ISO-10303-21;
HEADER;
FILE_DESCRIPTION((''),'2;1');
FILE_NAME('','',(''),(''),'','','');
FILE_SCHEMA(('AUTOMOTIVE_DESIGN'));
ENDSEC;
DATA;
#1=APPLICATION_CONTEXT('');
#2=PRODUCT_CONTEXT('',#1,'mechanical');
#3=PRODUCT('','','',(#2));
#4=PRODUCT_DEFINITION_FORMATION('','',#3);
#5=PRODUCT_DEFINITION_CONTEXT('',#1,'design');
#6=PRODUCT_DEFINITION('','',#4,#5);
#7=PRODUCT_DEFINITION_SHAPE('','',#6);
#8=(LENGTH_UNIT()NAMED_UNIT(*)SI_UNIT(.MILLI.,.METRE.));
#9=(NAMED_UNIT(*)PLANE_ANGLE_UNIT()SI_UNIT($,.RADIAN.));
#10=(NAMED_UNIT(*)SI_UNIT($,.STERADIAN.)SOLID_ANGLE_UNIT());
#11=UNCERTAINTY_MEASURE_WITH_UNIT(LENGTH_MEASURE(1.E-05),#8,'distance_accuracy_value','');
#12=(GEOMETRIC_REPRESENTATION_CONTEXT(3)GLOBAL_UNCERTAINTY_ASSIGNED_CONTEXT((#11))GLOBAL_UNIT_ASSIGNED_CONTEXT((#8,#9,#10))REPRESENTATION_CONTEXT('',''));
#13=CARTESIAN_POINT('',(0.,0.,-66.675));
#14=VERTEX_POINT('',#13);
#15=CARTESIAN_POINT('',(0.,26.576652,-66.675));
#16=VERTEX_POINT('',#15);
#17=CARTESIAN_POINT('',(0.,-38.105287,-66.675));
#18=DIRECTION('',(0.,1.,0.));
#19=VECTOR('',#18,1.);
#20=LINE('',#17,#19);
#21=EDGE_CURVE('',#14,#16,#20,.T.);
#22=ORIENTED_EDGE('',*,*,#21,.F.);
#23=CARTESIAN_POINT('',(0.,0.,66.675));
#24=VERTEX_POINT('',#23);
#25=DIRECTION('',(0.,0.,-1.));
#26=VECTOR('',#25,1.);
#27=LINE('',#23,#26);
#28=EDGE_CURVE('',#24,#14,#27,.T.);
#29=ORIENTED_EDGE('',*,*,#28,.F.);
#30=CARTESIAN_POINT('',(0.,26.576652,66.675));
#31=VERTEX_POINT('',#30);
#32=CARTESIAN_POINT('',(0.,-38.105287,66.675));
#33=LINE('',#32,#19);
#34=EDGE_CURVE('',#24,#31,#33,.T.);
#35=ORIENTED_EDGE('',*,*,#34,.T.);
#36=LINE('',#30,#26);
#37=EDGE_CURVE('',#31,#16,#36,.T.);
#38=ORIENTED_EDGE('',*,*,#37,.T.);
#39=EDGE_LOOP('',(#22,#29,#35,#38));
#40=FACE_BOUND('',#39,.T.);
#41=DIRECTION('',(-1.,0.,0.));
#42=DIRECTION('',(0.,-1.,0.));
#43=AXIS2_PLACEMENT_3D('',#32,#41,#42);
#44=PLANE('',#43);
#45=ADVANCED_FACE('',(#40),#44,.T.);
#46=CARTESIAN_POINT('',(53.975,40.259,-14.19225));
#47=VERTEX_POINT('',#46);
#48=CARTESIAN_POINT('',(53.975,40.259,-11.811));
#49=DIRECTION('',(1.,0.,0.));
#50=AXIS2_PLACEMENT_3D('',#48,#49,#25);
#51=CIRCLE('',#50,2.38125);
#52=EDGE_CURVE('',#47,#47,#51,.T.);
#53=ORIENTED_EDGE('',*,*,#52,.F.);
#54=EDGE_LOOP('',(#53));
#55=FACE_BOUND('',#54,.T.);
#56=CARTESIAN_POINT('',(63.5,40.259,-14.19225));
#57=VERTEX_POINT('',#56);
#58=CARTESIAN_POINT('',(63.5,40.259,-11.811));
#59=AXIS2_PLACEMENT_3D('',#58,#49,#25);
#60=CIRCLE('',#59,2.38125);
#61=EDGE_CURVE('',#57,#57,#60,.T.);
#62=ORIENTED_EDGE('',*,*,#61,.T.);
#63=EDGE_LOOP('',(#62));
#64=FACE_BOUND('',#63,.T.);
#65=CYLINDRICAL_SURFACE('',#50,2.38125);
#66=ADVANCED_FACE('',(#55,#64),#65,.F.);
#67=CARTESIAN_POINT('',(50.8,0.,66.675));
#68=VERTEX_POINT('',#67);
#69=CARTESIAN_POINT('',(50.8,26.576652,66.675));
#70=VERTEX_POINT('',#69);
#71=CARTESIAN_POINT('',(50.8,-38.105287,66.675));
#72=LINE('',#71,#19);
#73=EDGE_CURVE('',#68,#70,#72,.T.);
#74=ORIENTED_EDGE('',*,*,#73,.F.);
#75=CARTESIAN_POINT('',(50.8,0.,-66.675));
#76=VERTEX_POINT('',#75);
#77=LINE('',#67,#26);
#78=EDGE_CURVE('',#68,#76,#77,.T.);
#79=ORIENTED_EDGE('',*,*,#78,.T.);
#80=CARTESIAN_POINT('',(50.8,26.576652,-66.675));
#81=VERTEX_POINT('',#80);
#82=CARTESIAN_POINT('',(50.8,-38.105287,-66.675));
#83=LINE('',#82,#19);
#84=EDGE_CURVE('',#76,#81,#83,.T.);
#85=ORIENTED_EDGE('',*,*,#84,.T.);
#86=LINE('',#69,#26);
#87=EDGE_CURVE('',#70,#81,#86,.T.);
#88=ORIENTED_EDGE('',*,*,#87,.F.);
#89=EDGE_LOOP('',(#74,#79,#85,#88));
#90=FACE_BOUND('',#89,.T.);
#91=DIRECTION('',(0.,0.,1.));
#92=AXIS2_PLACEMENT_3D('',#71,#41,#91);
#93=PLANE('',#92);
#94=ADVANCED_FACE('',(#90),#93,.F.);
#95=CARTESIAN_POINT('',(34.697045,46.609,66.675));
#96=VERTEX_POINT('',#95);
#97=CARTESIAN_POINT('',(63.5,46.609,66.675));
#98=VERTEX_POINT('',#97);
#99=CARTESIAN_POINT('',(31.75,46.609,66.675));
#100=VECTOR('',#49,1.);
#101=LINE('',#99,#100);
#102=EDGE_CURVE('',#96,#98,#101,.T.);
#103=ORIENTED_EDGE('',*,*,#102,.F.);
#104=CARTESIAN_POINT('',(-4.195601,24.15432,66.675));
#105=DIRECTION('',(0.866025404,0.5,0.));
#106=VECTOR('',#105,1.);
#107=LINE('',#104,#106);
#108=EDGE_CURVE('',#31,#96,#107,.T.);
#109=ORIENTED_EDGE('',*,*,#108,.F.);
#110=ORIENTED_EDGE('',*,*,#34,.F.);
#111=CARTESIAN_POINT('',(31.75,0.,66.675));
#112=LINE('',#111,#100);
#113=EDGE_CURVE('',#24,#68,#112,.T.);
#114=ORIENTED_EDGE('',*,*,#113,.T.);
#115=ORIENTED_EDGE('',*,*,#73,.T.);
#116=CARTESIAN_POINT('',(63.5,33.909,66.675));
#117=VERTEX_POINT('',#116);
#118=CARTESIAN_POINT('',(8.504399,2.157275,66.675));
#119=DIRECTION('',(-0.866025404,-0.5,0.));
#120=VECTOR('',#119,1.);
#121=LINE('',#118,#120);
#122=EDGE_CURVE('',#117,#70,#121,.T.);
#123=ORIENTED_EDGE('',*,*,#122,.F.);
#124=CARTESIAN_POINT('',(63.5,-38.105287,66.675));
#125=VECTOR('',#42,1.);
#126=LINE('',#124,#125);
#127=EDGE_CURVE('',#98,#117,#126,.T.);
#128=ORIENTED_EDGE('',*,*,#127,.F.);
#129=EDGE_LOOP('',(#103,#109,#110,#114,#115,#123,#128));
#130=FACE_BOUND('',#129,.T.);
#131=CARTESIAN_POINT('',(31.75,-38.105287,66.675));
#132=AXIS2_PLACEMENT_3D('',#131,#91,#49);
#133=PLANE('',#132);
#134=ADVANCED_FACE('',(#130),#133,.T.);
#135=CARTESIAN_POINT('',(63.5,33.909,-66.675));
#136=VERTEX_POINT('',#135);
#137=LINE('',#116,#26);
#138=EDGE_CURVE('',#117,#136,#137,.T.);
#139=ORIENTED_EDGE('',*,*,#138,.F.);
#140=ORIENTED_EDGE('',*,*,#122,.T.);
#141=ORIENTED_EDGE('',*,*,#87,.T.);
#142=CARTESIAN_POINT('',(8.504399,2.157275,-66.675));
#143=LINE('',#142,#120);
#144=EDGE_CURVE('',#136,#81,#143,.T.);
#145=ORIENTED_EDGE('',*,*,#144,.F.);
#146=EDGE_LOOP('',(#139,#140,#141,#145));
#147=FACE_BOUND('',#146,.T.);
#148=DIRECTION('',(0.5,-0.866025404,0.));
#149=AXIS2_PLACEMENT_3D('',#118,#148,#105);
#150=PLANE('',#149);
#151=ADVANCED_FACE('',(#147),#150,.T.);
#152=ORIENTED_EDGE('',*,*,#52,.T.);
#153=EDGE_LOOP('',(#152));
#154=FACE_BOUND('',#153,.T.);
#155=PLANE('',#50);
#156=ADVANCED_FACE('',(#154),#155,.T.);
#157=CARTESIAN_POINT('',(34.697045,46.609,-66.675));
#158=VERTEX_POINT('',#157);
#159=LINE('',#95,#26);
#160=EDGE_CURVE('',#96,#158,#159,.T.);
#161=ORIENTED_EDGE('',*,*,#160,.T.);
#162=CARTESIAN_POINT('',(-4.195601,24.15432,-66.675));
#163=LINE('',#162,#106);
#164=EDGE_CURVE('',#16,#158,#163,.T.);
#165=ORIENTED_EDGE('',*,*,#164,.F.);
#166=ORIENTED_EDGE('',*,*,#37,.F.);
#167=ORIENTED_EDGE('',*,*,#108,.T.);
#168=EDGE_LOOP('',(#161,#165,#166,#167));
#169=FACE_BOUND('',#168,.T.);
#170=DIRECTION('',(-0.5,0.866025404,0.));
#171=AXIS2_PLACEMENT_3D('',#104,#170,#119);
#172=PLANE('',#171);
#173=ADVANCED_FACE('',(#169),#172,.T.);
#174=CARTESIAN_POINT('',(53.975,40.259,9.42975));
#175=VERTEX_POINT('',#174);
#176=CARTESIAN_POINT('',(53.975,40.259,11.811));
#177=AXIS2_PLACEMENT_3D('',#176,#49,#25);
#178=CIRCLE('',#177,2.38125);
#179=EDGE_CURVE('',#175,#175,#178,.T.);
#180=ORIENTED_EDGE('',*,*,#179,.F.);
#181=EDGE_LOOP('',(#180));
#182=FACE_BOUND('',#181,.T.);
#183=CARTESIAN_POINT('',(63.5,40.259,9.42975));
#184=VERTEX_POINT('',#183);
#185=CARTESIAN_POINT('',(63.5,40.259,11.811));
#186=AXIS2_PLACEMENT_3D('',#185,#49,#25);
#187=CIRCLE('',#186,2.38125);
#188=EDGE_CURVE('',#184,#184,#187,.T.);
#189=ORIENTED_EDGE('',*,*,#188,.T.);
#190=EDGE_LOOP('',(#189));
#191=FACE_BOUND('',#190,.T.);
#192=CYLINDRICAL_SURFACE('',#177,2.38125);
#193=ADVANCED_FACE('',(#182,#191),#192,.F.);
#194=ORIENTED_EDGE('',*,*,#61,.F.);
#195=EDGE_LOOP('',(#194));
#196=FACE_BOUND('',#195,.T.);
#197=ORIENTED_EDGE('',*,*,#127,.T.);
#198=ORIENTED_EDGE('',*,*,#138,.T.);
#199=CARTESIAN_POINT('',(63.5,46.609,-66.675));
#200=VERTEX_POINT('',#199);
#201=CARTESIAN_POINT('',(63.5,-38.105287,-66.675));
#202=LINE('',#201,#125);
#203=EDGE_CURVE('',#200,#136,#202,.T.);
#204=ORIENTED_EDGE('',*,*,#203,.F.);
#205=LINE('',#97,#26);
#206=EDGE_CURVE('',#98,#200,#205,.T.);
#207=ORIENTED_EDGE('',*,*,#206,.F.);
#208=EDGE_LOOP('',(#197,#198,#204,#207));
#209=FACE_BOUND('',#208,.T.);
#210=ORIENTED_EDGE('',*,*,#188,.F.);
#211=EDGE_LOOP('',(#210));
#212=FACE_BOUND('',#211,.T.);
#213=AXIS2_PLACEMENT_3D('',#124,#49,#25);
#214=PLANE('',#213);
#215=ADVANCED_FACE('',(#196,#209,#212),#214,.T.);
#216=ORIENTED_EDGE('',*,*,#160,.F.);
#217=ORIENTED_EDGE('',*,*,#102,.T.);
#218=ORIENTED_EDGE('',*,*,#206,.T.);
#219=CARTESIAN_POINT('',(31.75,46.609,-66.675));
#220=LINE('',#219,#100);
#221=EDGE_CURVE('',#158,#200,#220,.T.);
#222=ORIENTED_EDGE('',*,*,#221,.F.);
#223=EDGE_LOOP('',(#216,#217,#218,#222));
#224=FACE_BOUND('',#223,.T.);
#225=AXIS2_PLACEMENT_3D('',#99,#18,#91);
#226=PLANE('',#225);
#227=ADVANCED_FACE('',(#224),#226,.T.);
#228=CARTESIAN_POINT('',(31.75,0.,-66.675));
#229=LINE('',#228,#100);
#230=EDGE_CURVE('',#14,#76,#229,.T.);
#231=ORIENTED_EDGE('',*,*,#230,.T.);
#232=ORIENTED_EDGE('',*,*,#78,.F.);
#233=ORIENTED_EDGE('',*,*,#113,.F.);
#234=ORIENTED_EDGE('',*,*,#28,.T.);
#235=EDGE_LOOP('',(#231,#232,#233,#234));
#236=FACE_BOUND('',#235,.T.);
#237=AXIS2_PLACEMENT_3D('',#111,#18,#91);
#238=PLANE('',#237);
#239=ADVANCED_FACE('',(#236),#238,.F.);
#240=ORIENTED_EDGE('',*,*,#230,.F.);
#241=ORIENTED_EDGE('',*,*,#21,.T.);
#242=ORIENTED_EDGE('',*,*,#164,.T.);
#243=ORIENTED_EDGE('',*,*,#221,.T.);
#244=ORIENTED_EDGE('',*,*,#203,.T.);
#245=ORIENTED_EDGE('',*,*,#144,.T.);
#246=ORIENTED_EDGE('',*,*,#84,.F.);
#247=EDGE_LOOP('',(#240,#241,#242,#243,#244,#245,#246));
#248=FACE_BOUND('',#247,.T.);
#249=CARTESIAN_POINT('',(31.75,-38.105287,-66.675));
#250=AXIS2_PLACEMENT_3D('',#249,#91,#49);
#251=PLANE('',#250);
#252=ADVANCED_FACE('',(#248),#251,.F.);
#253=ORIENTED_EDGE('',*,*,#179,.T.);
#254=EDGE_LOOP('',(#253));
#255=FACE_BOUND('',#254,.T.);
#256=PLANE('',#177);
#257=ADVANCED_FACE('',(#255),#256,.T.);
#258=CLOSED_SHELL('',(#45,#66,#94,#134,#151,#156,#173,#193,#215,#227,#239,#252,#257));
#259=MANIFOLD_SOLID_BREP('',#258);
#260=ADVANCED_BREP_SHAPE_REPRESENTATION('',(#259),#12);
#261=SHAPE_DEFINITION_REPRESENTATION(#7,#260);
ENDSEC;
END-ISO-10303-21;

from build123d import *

# Parameters (mm, degrees)
SKETCH1_W           = 50.8
SKETCH1_H           = 26.576651581
BOSS_EXTRUDE1_DEPTH = 66.675
SKETCH3_R           = 2.38125
CUT_EXTRUDE1_DEPTH  = 9.525


with BuildPart() as part:
    # Sketch1 → Boss-Extrude1 (new body, symmetric)
    with BuildSketch(Plane.XY):
        with Locations((25.4, 13.288325791)):
            Rectangle(SKETCH1_W, SKETCH1_H)
        Polygon((34.697045256, 46.609), (0, 26.576651581), (50.8, 26.576651581), (63.5, 33.909), (63.5, 46.609), align=None)
    extrude(amount=BOSS_EXTRUDE1_DEPTH, both=True)

    # Sketch3 → Cut-Extrude1 (cut)
    with BuildSketch(Plane(origin=(63.5, 0, 0), x_dir=(0, 0, -1), z_dir=(1, 0, 0))):
        with Locations((-11.811, 40.259)):
            Circle(SKETCH3_R)
        with Locations((11.811, 40.259)):
            Circle(SKETCH3_R)
    extrude(amount=-CUT_EXTRUDE1_DEPTH, mode=Mode.SUBTRACT)


solid = part.part
